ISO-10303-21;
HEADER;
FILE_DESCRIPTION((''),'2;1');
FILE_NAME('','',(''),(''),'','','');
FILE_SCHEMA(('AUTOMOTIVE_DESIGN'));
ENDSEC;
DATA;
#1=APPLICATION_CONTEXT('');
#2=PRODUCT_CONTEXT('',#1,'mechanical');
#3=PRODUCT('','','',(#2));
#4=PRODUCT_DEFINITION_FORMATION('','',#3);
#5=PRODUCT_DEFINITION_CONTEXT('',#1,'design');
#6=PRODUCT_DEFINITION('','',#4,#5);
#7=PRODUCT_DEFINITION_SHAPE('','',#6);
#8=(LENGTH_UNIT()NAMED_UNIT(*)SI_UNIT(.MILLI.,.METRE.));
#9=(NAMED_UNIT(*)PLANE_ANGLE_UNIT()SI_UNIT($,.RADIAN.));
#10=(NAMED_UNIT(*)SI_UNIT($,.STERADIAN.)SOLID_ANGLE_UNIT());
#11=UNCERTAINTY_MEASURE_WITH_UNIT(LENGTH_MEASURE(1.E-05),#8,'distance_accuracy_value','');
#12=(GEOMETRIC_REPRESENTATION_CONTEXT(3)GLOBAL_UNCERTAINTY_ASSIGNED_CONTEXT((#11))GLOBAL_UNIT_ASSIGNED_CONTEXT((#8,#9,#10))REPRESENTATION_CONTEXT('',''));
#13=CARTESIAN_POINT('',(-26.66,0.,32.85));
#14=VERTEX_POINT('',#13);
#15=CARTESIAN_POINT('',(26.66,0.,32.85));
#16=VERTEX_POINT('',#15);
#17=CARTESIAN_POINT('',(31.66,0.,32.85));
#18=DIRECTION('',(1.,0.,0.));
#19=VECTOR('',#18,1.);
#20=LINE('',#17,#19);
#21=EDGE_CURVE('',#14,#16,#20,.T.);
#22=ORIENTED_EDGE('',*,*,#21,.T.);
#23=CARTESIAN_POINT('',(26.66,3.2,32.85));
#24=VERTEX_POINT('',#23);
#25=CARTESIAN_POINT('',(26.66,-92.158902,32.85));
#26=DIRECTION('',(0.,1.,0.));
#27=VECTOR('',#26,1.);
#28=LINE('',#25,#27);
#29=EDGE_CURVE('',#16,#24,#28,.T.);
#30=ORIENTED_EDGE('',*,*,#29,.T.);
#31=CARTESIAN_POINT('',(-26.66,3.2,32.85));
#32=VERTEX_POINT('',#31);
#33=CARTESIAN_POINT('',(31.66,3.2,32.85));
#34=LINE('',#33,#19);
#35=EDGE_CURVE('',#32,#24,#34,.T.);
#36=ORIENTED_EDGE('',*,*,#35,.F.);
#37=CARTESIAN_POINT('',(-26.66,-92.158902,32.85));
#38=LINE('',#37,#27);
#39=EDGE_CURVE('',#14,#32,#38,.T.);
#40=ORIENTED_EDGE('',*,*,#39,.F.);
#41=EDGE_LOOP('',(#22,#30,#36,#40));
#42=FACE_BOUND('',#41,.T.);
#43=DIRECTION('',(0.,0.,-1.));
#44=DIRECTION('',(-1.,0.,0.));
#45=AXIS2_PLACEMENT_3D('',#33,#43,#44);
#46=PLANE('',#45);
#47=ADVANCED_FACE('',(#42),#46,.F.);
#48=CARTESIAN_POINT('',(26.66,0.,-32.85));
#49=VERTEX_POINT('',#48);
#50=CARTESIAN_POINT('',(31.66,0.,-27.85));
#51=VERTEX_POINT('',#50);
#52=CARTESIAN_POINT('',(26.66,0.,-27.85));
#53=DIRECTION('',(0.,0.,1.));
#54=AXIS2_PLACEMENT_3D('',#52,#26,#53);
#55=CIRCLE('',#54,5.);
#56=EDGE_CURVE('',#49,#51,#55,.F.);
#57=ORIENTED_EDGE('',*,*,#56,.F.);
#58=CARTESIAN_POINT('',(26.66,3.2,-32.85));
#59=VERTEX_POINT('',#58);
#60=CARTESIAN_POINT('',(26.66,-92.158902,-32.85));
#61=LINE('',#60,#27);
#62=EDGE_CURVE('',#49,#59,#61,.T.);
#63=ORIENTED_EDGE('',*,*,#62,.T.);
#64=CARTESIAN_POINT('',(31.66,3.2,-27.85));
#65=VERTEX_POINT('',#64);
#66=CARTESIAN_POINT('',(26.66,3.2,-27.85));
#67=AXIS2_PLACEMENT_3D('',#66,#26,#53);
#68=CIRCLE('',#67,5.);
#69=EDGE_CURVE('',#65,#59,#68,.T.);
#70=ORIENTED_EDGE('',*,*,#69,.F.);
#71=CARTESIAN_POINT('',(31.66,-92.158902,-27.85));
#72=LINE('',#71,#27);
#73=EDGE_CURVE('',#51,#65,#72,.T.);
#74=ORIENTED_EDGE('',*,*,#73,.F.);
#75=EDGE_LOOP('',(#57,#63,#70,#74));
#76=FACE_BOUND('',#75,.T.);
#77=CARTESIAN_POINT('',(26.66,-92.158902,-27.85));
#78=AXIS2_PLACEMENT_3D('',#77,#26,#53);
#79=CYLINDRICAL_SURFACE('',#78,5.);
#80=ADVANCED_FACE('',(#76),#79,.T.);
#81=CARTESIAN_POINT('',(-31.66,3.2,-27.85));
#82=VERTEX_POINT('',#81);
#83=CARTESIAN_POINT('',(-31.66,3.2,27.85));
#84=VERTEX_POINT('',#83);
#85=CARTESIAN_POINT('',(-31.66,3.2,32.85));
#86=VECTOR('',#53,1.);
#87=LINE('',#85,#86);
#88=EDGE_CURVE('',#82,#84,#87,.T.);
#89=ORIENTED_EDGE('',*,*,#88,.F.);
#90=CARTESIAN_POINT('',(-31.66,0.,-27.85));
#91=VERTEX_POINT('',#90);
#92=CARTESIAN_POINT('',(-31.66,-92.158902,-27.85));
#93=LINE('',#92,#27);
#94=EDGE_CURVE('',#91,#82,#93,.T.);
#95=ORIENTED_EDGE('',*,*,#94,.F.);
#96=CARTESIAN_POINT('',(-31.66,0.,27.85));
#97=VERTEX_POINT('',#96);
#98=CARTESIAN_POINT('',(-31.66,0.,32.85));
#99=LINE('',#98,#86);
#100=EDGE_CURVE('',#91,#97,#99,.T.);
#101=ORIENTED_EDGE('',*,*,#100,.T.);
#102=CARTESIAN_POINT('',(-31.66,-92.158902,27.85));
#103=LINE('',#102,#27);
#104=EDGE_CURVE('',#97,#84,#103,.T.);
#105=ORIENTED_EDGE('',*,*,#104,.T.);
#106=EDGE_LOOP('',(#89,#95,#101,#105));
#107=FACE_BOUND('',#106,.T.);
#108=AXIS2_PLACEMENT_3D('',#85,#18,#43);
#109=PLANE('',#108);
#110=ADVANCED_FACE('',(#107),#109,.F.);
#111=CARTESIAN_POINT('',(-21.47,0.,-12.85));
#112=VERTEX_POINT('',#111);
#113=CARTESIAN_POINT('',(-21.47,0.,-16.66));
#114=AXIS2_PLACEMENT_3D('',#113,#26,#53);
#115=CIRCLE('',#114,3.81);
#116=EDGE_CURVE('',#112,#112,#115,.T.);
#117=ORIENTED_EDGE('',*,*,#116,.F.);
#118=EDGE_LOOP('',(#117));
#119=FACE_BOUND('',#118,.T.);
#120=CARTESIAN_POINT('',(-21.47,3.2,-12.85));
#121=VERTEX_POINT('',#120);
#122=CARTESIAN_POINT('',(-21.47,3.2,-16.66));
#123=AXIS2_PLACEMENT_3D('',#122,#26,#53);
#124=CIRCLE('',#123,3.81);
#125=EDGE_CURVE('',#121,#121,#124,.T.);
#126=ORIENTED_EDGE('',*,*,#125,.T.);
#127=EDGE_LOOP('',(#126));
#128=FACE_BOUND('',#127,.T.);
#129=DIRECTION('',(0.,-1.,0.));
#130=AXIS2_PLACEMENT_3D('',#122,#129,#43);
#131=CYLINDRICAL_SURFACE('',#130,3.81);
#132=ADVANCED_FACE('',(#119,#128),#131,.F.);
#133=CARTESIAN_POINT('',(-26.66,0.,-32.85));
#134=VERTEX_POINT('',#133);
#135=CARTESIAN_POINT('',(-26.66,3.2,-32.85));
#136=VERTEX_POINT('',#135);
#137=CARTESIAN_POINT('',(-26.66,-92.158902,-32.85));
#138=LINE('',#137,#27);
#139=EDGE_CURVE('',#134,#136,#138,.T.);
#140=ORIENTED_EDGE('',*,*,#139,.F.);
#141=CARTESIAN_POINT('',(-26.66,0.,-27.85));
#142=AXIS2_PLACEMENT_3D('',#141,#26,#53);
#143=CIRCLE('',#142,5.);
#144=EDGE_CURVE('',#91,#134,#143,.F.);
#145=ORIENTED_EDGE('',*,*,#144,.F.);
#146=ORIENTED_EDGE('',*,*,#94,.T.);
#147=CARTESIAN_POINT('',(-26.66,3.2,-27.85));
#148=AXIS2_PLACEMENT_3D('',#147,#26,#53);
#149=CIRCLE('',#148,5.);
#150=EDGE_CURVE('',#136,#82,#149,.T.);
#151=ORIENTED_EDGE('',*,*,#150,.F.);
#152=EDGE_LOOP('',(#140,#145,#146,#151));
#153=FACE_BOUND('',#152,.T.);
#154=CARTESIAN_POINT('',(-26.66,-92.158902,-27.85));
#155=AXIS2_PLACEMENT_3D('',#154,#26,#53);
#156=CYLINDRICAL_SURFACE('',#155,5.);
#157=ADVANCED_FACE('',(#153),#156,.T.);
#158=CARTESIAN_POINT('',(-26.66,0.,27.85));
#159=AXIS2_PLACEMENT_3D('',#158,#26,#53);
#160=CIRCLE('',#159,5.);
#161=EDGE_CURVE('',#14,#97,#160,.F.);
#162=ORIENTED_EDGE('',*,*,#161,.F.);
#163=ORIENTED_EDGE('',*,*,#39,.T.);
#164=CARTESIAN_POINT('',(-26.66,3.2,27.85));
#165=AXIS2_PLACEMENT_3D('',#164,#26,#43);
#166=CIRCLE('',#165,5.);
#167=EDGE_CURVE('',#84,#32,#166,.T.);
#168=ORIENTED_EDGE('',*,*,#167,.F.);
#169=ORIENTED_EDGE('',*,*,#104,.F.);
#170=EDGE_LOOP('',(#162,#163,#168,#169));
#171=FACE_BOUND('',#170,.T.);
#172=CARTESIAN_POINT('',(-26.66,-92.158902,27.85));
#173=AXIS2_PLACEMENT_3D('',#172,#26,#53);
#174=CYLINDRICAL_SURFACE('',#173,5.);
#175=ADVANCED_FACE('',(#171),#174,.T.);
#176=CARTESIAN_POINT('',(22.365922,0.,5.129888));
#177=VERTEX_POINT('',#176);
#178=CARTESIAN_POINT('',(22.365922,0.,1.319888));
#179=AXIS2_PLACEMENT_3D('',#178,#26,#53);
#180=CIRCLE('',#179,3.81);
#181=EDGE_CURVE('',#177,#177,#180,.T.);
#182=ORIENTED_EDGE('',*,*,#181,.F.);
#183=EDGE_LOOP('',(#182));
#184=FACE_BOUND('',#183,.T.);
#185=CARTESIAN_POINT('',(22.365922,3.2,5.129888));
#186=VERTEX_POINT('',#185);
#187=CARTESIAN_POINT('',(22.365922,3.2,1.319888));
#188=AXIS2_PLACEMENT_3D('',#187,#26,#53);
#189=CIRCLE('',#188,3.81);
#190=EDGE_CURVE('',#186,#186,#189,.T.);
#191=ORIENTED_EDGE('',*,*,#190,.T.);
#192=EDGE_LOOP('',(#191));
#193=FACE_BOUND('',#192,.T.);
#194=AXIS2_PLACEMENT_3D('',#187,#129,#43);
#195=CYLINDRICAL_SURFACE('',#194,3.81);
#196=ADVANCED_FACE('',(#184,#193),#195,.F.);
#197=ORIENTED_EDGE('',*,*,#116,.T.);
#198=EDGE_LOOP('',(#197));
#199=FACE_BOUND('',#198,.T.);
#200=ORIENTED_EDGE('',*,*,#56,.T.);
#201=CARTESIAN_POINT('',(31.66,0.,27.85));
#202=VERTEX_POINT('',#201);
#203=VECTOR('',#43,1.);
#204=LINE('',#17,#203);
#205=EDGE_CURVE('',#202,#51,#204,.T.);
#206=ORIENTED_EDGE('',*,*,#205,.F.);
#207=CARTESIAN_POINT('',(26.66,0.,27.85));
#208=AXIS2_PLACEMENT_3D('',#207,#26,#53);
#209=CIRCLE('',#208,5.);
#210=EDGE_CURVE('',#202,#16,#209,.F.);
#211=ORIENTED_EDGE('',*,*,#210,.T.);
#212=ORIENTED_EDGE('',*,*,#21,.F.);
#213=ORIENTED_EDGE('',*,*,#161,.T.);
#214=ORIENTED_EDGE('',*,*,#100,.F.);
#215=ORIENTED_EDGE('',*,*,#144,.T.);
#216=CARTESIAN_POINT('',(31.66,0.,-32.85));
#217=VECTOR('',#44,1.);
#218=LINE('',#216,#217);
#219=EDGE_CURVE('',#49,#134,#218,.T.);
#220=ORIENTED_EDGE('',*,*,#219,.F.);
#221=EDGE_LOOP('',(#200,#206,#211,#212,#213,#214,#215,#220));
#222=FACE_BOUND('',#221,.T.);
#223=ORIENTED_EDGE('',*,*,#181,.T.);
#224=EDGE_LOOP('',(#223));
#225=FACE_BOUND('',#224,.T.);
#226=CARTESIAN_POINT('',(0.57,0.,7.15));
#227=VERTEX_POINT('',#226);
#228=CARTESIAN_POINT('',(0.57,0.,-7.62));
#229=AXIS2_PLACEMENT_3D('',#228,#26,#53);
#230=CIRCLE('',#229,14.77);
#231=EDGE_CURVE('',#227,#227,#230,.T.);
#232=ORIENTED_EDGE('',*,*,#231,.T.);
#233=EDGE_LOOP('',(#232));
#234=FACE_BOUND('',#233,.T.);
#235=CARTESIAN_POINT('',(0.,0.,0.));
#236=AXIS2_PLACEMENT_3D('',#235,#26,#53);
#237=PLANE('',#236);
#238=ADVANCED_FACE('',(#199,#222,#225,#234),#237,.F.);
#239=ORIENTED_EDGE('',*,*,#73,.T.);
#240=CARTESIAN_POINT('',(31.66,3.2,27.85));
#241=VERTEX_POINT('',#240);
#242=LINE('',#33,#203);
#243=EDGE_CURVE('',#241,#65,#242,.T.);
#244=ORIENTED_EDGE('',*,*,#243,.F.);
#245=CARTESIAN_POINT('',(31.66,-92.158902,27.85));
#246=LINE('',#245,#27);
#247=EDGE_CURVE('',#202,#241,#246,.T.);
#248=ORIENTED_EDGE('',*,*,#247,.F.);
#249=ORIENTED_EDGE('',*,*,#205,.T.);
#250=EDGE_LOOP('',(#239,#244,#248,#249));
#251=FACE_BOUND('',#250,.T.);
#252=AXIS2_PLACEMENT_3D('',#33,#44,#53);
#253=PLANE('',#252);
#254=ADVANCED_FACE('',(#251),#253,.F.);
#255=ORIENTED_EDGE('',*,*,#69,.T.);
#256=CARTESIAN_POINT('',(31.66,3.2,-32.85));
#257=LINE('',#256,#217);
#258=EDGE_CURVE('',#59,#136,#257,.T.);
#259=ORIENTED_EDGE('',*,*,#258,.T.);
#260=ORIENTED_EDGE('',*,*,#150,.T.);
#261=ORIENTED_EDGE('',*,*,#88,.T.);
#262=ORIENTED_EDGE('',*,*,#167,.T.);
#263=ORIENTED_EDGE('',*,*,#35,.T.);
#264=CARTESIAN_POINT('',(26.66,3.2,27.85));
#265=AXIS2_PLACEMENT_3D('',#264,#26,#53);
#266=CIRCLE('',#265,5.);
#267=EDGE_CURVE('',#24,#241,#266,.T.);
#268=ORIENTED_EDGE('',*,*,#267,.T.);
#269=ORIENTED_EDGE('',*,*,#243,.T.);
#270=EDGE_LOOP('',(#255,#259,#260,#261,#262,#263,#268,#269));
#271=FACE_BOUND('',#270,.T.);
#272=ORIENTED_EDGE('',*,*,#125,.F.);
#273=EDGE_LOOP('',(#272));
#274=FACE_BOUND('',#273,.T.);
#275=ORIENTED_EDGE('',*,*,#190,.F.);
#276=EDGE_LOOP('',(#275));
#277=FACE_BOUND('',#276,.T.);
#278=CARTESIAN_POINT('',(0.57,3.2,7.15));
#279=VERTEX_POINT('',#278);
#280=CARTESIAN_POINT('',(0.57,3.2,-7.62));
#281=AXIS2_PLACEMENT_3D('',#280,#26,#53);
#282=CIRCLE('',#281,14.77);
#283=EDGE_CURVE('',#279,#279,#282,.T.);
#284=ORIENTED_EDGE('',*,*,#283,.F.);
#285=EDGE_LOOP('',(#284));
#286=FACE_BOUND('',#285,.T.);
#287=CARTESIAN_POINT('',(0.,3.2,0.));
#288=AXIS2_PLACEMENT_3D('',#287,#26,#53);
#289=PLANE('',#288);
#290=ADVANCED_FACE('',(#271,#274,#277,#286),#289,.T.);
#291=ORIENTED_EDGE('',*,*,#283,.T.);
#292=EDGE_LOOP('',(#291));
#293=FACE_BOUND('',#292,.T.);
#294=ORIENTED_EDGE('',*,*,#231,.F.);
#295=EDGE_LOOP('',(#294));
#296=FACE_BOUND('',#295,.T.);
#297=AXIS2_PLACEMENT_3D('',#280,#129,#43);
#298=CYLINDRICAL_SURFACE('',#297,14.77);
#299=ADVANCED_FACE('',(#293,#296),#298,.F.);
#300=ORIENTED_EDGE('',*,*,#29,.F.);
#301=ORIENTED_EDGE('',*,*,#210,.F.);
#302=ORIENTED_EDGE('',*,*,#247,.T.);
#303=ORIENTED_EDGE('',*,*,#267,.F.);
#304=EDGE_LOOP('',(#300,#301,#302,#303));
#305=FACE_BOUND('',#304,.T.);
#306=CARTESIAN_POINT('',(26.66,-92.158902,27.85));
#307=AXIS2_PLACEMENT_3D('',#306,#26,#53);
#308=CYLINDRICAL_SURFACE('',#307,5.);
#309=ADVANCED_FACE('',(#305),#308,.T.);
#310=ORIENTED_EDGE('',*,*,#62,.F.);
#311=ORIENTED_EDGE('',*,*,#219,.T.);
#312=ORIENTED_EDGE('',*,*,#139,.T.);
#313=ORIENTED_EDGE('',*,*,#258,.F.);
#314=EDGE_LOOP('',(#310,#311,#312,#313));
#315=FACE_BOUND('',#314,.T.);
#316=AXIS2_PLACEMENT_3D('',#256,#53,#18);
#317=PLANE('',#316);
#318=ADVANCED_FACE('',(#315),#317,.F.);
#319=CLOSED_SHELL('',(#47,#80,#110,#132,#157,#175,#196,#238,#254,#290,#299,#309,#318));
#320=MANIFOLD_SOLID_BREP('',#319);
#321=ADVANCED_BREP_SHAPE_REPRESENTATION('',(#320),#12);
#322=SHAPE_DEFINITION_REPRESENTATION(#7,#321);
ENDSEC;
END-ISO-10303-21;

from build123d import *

# Parameters (mm, degrees)
SKETCH1_W           = 63.32
SKETCH1_H           = 65.7
SKETCH1_R           = 14.77
SKETCH1_R_2         = 3.81
BOSS_EXTRUDE1_DEPTH = 3.2
SKETCH2_OUTSIDE_W   = 83.58
SKETCH2_OUTSIDE_H   = 85.96
CUT_EXTRUDE1_DEPTH  = 3.2


with BuildPart() as part:
    # Sketch1 → Boss-Extrude1 (new body)
    with BuildSketch(Plane(origin=(0, 0, 0), x_dir=(1, 0, 0), z_dir=(0, 1, 0))):
        Rectangle(SKETCH1_W, SKETCH1_H)
        with Locations((0.57, 7.62)):
            Circle(SKETCH1_R, mode=Mode.SUBTRACT)
        with Locations((-21.47, 16.66)):
            Circle(SKETCH1_R_2, mode=Mode.SUBTRACT)
        with Locations((22.365921653, -1.31988801)):
            Circle(SKETCH1_R_2, mode=Mode.SUBTRACT)
    extrude(amount=BOSS_EXTRUDE1_DEPTH)

    # Sketch2 outside → Cut-Extrude1 (cut)
    with BuildSketch(Plane(origin=(0, 3.2, 0), x_dir=(1, 0, 0), z_dir=(0, 1, 0))):
        Rectangle(SKETCH2_OUTSIDE_W, SKETCH2_OUTSIDE_H)
        with BuildLine():
            Line((26.66, -32.85), (-26.66, -32.85))
            ThreePointArc((-26.66, -32.85), (-30.195533906, -31.385533906), (-31.66, -27.85))
            Line((-31.66, -27.85), (-31.66, 27.85))
            ThreePointArc((-31.66, 27.85), (-30.195533906, 31.385533906), (-26.66, 32.85))
            Line((-26.66, 32.85), (26.66, 32.85))
            ThreePointArc((26.66, 32.85), (30.195533906, 31.385533906), (31.66, 27.85))
            Line((31.66, 27.85), (31.66, -27.85))
            ThreePointArc((31.66, -27.85), (30.195533906, -31.385533906), (26.66, -32.85))
        make_face(mode=Mode.SUBTRACT)
    extrude(amount=-CUT_EXTRUDE1_DEPTH, mode=Mode.SUBTRACT)


solid = part.part
